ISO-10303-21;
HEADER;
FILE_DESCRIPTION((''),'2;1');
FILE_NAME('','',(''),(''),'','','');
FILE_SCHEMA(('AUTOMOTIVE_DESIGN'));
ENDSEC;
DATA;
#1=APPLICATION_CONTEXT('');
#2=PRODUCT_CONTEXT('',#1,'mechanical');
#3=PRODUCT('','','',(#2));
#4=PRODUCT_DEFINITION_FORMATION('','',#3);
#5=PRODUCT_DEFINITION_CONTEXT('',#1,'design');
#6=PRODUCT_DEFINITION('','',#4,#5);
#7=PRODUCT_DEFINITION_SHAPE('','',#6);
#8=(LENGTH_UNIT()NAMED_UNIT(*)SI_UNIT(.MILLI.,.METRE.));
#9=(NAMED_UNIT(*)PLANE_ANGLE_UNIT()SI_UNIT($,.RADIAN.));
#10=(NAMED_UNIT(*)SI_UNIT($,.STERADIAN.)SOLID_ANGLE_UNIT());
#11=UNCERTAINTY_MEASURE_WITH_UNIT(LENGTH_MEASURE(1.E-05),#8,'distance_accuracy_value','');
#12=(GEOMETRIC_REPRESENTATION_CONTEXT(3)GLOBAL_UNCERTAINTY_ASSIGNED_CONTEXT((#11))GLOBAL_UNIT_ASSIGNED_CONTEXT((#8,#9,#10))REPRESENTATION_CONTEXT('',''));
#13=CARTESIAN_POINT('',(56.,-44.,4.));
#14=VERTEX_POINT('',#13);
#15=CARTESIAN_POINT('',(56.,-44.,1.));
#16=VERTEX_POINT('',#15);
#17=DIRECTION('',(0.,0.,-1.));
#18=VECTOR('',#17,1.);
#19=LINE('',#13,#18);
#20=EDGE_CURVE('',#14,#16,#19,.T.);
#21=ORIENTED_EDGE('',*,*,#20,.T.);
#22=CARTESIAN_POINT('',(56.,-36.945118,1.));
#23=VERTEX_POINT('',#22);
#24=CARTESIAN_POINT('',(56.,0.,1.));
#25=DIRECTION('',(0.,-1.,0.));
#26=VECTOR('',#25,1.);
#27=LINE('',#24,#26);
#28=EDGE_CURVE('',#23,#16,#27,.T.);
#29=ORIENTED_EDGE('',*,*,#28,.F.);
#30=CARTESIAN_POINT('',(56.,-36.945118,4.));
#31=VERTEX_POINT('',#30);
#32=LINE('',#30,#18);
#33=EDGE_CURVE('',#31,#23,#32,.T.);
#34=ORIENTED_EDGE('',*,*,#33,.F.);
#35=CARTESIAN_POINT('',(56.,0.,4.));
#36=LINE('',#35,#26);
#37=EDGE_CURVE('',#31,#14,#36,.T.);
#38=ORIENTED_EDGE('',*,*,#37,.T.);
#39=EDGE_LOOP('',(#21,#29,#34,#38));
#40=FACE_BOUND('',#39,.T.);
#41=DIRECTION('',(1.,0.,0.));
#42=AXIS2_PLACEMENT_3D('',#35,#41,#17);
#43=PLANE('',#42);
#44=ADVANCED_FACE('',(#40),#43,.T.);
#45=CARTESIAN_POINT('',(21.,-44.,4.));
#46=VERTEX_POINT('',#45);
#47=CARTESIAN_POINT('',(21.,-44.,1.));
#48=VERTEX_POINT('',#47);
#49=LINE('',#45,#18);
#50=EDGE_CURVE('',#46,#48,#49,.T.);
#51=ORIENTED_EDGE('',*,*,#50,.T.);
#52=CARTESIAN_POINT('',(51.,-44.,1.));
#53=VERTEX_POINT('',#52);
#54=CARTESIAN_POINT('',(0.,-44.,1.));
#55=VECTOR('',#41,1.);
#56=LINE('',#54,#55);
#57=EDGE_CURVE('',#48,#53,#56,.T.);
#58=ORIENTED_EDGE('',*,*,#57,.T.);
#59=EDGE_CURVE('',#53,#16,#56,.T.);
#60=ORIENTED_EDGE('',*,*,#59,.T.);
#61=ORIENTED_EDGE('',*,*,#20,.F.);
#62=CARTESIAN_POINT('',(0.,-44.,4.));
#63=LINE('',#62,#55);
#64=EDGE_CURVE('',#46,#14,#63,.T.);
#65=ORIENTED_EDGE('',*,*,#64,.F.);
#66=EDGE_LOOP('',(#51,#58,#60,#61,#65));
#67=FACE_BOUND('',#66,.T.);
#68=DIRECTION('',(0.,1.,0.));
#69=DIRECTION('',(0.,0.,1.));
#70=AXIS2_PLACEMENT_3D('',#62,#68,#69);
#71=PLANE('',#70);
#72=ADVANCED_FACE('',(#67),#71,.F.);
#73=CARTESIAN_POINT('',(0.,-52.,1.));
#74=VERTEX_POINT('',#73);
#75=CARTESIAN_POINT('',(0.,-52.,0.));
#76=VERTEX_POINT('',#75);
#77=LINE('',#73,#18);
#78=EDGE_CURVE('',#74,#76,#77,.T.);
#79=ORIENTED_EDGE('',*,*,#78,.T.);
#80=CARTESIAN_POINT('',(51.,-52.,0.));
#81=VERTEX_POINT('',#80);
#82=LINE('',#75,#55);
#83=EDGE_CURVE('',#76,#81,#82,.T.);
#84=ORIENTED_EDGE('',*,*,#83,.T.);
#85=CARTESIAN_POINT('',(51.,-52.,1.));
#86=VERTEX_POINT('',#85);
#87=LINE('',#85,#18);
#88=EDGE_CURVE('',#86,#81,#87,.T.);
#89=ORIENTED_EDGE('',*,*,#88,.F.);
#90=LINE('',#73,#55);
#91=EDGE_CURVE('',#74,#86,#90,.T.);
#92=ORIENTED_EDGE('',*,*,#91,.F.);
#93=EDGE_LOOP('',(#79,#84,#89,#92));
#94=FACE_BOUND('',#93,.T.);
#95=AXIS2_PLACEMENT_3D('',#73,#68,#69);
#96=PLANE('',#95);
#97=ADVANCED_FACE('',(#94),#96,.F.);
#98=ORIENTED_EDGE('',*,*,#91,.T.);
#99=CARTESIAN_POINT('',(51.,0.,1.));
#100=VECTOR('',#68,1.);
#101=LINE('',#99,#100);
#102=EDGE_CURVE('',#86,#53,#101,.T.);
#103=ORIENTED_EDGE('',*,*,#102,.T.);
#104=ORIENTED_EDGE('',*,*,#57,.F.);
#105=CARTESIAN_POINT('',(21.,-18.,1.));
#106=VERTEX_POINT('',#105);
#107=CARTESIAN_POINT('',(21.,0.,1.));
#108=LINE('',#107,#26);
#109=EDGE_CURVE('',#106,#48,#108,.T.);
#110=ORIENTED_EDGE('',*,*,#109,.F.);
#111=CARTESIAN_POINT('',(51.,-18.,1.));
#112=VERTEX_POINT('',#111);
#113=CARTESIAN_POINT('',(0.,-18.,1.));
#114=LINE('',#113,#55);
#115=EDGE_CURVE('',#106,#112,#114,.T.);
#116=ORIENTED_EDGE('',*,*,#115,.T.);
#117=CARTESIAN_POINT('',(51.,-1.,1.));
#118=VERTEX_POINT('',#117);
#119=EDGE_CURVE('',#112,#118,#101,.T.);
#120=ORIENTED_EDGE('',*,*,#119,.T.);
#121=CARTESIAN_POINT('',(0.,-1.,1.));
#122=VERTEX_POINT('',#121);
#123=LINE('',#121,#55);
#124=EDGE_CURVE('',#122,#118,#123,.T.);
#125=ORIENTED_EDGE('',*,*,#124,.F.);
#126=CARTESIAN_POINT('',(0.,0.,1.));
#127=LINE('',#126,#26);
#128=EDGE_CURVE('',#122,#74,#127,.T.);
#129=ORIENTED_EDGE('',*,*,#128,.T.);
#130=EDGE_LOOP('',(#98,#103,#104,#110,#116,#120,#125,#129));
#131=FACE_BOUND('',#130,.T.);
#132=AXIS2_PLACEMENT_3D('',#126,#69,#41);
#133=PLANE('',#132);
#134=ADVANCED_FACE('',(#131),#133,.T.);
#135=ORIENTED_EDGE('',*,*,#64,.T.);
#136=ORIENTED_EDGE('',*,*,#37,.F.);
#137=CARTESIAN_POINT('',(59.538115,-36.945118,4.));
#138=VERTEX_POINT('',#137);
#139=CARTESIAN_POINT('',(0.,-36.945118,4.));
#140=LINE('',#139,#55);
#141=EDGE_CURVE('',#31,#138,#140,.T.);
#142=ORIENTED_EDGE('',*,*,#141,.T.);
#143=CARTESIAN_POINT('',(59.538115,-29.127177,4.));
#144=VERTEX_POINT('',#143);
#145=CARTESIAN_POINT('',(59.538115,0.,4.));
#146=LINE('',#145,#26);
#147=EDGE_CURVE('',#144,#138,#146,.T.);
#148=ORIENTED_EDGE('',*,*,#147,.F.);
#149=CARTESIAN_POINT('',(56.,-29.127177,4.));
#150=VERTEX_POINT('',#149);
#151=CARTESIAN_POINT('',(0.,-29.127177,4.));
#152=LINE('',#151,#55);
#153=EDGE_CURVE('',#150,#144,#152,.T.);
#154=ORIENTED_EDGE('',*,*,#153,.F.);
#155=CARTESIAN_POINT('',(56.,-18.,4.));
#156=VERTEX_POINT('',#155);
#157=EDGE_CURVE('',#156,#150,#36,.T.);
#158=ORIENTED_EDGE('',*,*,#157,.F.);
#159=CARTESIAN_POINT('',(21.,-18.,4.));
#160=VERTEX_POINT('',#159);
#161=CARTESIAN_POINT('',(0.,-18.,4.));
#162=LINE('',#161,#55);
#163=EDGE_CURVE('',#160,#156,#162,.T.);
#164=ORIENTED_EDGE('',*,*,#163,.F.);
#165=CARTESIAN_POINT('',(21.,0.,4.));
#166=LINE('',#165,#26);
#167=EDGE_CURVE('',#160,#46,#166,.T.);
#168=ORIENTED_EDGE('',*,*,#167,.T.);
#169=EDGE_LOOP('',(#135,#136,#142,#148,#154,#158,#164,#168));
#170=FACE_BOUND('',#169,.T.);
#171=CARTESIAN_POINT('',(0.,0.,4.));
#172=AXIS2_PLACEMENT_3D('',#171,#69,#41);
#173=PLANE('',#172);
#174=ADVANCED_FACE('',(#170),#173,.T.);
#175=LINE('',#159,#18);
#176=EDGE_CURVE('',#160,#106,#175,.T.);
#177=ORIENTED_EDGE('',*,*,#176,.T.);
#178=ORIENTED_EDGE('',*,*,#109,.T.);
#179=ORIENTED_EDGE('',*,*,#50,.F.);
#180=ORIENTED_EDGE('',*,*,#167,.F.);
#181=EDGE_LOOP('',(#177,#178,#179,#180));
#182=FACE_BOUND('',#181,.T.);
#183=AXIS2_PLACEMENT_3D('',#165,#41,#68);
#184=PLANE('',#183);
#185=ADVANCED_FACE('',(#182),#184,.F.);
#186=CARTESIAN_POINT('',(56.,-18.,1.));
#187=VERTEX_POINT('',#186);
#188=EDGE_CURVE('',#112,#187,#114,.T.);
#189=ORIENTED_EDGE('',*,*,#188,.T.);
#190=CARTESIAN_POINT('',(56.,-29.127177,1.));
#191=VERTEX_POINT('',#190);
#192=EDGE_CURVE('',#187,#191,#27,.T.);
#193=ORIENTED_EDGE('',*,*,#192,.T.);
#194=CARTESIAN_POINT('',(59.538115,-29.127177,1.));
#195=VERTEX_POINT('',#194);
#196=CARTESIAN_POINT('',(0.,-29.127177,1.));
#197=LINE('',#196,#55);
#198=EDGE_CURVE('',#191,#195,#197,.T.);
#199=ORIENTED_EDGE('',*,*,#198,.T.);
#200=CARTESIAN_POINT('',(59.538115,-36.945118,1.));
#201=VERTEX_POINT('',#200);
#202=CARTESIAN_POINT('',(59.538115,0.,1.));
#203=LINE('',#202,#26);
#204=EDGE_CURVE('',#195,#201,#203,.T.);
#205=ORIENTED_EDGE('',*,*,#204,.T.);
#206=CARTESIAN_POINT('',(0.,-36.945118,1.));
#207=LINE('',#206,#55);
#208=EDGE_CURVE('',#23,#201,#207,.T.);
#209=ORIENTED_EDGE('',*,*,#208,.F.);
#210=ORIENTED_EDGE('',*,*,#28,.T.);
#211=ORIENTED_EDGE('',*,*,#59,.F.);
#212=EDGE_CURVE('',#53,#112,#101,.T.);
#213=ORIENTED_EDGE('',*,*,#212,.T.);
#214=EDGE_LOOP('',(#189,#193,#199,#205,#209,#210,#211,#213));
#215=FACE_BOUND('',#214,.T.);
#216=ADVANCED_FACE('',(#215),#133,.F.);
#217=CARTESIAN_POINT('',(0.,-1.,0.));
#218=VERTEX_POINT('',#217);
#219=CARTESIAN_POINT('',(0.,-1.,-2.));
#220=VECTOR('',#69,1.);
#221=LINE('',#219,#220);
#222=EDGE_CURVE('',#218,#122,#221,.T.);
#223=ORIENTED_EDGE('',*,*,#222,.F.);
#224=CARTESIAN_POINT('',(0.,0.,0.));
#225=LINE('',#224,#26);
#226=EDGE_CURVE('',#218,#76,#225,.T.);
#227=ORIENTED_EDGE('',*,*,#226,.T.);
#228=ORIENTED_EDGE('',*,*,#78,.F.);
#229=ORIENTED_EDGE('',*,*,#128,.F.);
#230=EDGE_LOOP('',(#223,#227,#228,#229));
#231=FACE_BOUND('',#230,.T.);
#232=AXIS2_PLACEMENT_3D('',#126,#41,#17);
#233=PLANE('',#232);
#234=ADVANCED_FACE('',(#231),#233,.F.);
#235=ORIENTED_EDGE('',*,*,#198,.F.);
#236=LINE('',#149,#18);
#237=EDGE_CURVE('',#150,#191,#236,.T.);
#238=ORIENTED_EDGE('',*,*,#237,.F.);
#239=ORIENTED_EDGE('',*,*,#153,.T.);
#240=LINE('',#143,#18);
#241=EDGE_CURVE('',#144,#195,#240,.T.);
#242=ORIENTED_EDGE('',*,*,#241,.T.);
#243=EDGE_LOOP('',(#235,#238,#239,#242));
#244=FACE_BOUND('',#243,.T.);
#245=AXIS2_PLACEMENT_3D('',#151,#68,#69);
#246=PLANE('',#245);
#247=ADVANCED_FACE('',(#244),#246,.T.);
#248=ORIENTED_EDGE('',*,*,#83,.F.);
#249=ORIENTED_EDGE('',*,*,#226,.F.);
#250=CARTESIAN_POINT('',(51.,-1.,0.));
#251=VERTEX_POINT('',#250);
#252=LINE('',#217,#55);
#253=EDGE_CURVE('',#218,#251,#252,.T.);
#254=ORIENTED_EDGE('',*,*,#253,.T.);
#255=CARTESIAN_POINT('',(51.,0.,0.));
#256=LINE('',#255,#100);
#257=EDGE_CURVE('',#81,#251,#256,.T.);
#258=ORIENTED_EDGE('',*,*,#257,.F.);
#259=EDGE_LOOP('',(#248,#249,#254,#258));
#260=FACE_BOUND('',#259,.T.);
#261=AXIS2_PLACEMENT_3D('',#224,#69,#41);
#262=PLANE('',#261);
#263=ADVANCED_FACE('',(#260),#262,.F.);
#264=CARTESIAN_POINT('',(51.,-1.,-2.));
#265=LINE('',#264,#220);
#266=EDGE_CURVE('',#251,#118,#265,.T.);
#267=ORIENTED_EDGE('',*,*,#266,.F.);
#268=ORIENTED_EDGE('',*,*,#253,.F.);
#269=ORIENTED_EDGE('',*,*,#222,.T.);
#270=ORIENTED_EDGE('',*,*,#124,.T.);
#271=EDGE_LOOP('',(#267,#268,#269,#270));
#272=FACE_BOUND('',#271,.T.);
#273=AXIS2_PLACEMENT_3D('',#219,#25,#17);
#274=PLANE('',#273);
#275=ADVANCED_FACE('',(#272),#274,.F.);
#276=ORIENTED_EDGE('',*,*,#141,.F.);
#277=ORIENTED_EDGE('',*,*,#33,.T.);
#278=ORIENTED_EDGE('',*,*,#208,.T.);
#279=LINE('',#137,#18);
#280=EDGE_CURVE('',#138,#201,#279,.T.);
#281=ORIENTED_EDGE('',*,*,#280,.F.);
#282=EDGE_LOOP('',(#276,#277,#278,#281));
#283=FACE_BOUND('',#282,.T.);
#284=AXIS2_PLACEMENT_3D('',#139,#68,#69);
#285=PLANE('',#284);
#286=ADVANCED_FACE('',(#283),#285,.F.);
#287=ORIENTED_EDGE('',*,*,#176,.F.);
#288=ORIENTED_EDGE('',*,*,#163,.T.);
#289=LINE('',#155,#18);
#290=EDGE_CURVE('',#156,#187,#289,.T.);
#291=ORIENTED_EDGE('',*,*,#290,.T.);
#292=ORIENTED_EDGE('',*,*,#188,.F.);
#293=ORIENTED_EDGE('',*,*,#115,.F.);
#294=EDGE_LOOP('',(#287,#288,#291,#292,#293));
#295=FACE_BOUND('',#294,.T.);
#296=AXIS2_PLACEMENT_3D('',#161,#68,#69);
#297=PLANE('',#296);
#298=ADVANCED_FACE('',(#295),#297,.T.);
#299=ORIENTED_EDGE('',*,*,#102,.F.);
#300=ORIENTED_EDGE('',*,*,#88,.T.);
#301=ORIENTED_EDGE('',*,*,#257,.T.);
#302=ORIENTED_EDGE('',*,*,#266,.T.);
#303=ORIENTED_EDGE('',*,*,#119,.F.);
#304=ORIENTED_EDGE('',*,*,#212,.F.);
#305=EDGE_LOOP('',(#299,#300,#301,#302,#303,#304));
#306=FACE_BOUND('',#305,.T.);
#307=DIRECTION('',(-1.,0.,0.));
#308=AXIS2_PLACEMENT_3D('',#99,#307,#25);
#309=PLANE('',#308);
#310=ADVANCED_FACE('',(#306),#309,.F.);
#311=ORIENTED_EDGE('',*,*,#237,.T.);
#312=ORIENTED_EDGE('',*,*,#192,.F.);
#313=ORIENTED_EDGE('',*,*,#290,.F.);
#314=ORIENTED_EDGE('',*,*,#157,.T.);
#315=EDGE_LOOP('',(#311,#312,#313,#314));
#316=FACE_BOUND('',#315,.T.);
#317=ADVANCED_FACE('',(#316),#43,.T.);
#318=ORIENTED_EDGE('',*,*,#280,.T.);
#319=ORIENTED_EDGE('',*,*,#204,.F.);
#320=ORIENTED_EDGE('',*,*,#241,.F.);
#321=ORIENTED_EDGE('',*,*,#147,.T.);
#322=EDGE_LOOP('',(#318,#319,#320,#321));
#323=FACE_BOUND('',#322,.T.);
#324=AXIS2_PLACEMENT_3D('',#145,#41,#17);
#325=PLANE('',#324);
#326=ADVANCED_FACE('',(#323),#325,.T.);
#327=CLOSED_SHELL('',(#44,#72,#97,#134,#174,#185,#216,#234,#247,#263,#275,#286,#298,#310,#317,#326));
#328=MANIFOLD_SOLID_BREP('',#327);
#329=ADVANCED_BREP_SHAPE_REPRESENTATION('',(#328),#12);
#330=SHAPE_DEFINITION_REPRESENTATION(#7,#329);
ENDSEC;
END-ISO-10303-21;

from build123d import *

# Parameters (mm, degrees)
CROQUIS1_W              = 51
CROQUIS1_H              = 52
SALIENTE_EXTRUIR1_DEPTH = 1
CROQUIS2_W              = 30
CROQUIS2_H              = 26
CROQUIS2_W_2            = 3.538114814
CROQUIS2_H_2            = 7.817941565
CROQUIS2_W_3            = 2.595962414
SALIENTE_EXTRUIR2_DEPTH = 3
CROQUIS3_W              = 51
CROQUIS3_H              = 1
CORTAR_EXTRUIR2_DEPTH   = 3


with BuildPart() as part:
    # Croquis1 → Saliente-Extruir1 (new body)
    with BuildSketch(Plane.XY):
        with Locations((25.5, -26)):
            Rectangle(CROQUIS1_W, CROQUIS1_H)
    extrude(amount=SALIENTE_EXTRUIR1_DEPTH)

    # Croquis2 → Saliente-Extruir2 (add)
    with BuildSketch(Plane.XY.offset(1)):
        with Locations((36, -31)):
            Rectangle(CROQUIS2_W, CROQUIS2_H)
        with Locations((57.769057407, -33.036147408)):
            Rectangle(CROQUIS2_W_2, CROQUIS2_H_2)
        with Locations((54.702018793, -33.036147408)):
            Rectangle(CROQUIS2_W_3, CROQUIS2_H_2)
        Polygon((56, -18), (51, -18), (51, -44), (56, -44), (56, -36.945118191), (53.404037586, -36.945118191), (53.404037586, -29.127176626), (56, -29.127176626), align=None)
    extrude(amount=SALIENTE_EXTRUIR2_DEPTH)

    # Croquis3 → Cortar-Extruir2 (cut)
    with BuildSketch(Plane.XY.offset(1)):
        with Locations((25.5, -0.5)):
            Rectangle(CROQUIS3_W, CROQUIS3_H)
    extrude(amount=-CORTAR_EXTRUIR2_DEPTH, mode=Mode.SUBTRACT)


solid = part.part
